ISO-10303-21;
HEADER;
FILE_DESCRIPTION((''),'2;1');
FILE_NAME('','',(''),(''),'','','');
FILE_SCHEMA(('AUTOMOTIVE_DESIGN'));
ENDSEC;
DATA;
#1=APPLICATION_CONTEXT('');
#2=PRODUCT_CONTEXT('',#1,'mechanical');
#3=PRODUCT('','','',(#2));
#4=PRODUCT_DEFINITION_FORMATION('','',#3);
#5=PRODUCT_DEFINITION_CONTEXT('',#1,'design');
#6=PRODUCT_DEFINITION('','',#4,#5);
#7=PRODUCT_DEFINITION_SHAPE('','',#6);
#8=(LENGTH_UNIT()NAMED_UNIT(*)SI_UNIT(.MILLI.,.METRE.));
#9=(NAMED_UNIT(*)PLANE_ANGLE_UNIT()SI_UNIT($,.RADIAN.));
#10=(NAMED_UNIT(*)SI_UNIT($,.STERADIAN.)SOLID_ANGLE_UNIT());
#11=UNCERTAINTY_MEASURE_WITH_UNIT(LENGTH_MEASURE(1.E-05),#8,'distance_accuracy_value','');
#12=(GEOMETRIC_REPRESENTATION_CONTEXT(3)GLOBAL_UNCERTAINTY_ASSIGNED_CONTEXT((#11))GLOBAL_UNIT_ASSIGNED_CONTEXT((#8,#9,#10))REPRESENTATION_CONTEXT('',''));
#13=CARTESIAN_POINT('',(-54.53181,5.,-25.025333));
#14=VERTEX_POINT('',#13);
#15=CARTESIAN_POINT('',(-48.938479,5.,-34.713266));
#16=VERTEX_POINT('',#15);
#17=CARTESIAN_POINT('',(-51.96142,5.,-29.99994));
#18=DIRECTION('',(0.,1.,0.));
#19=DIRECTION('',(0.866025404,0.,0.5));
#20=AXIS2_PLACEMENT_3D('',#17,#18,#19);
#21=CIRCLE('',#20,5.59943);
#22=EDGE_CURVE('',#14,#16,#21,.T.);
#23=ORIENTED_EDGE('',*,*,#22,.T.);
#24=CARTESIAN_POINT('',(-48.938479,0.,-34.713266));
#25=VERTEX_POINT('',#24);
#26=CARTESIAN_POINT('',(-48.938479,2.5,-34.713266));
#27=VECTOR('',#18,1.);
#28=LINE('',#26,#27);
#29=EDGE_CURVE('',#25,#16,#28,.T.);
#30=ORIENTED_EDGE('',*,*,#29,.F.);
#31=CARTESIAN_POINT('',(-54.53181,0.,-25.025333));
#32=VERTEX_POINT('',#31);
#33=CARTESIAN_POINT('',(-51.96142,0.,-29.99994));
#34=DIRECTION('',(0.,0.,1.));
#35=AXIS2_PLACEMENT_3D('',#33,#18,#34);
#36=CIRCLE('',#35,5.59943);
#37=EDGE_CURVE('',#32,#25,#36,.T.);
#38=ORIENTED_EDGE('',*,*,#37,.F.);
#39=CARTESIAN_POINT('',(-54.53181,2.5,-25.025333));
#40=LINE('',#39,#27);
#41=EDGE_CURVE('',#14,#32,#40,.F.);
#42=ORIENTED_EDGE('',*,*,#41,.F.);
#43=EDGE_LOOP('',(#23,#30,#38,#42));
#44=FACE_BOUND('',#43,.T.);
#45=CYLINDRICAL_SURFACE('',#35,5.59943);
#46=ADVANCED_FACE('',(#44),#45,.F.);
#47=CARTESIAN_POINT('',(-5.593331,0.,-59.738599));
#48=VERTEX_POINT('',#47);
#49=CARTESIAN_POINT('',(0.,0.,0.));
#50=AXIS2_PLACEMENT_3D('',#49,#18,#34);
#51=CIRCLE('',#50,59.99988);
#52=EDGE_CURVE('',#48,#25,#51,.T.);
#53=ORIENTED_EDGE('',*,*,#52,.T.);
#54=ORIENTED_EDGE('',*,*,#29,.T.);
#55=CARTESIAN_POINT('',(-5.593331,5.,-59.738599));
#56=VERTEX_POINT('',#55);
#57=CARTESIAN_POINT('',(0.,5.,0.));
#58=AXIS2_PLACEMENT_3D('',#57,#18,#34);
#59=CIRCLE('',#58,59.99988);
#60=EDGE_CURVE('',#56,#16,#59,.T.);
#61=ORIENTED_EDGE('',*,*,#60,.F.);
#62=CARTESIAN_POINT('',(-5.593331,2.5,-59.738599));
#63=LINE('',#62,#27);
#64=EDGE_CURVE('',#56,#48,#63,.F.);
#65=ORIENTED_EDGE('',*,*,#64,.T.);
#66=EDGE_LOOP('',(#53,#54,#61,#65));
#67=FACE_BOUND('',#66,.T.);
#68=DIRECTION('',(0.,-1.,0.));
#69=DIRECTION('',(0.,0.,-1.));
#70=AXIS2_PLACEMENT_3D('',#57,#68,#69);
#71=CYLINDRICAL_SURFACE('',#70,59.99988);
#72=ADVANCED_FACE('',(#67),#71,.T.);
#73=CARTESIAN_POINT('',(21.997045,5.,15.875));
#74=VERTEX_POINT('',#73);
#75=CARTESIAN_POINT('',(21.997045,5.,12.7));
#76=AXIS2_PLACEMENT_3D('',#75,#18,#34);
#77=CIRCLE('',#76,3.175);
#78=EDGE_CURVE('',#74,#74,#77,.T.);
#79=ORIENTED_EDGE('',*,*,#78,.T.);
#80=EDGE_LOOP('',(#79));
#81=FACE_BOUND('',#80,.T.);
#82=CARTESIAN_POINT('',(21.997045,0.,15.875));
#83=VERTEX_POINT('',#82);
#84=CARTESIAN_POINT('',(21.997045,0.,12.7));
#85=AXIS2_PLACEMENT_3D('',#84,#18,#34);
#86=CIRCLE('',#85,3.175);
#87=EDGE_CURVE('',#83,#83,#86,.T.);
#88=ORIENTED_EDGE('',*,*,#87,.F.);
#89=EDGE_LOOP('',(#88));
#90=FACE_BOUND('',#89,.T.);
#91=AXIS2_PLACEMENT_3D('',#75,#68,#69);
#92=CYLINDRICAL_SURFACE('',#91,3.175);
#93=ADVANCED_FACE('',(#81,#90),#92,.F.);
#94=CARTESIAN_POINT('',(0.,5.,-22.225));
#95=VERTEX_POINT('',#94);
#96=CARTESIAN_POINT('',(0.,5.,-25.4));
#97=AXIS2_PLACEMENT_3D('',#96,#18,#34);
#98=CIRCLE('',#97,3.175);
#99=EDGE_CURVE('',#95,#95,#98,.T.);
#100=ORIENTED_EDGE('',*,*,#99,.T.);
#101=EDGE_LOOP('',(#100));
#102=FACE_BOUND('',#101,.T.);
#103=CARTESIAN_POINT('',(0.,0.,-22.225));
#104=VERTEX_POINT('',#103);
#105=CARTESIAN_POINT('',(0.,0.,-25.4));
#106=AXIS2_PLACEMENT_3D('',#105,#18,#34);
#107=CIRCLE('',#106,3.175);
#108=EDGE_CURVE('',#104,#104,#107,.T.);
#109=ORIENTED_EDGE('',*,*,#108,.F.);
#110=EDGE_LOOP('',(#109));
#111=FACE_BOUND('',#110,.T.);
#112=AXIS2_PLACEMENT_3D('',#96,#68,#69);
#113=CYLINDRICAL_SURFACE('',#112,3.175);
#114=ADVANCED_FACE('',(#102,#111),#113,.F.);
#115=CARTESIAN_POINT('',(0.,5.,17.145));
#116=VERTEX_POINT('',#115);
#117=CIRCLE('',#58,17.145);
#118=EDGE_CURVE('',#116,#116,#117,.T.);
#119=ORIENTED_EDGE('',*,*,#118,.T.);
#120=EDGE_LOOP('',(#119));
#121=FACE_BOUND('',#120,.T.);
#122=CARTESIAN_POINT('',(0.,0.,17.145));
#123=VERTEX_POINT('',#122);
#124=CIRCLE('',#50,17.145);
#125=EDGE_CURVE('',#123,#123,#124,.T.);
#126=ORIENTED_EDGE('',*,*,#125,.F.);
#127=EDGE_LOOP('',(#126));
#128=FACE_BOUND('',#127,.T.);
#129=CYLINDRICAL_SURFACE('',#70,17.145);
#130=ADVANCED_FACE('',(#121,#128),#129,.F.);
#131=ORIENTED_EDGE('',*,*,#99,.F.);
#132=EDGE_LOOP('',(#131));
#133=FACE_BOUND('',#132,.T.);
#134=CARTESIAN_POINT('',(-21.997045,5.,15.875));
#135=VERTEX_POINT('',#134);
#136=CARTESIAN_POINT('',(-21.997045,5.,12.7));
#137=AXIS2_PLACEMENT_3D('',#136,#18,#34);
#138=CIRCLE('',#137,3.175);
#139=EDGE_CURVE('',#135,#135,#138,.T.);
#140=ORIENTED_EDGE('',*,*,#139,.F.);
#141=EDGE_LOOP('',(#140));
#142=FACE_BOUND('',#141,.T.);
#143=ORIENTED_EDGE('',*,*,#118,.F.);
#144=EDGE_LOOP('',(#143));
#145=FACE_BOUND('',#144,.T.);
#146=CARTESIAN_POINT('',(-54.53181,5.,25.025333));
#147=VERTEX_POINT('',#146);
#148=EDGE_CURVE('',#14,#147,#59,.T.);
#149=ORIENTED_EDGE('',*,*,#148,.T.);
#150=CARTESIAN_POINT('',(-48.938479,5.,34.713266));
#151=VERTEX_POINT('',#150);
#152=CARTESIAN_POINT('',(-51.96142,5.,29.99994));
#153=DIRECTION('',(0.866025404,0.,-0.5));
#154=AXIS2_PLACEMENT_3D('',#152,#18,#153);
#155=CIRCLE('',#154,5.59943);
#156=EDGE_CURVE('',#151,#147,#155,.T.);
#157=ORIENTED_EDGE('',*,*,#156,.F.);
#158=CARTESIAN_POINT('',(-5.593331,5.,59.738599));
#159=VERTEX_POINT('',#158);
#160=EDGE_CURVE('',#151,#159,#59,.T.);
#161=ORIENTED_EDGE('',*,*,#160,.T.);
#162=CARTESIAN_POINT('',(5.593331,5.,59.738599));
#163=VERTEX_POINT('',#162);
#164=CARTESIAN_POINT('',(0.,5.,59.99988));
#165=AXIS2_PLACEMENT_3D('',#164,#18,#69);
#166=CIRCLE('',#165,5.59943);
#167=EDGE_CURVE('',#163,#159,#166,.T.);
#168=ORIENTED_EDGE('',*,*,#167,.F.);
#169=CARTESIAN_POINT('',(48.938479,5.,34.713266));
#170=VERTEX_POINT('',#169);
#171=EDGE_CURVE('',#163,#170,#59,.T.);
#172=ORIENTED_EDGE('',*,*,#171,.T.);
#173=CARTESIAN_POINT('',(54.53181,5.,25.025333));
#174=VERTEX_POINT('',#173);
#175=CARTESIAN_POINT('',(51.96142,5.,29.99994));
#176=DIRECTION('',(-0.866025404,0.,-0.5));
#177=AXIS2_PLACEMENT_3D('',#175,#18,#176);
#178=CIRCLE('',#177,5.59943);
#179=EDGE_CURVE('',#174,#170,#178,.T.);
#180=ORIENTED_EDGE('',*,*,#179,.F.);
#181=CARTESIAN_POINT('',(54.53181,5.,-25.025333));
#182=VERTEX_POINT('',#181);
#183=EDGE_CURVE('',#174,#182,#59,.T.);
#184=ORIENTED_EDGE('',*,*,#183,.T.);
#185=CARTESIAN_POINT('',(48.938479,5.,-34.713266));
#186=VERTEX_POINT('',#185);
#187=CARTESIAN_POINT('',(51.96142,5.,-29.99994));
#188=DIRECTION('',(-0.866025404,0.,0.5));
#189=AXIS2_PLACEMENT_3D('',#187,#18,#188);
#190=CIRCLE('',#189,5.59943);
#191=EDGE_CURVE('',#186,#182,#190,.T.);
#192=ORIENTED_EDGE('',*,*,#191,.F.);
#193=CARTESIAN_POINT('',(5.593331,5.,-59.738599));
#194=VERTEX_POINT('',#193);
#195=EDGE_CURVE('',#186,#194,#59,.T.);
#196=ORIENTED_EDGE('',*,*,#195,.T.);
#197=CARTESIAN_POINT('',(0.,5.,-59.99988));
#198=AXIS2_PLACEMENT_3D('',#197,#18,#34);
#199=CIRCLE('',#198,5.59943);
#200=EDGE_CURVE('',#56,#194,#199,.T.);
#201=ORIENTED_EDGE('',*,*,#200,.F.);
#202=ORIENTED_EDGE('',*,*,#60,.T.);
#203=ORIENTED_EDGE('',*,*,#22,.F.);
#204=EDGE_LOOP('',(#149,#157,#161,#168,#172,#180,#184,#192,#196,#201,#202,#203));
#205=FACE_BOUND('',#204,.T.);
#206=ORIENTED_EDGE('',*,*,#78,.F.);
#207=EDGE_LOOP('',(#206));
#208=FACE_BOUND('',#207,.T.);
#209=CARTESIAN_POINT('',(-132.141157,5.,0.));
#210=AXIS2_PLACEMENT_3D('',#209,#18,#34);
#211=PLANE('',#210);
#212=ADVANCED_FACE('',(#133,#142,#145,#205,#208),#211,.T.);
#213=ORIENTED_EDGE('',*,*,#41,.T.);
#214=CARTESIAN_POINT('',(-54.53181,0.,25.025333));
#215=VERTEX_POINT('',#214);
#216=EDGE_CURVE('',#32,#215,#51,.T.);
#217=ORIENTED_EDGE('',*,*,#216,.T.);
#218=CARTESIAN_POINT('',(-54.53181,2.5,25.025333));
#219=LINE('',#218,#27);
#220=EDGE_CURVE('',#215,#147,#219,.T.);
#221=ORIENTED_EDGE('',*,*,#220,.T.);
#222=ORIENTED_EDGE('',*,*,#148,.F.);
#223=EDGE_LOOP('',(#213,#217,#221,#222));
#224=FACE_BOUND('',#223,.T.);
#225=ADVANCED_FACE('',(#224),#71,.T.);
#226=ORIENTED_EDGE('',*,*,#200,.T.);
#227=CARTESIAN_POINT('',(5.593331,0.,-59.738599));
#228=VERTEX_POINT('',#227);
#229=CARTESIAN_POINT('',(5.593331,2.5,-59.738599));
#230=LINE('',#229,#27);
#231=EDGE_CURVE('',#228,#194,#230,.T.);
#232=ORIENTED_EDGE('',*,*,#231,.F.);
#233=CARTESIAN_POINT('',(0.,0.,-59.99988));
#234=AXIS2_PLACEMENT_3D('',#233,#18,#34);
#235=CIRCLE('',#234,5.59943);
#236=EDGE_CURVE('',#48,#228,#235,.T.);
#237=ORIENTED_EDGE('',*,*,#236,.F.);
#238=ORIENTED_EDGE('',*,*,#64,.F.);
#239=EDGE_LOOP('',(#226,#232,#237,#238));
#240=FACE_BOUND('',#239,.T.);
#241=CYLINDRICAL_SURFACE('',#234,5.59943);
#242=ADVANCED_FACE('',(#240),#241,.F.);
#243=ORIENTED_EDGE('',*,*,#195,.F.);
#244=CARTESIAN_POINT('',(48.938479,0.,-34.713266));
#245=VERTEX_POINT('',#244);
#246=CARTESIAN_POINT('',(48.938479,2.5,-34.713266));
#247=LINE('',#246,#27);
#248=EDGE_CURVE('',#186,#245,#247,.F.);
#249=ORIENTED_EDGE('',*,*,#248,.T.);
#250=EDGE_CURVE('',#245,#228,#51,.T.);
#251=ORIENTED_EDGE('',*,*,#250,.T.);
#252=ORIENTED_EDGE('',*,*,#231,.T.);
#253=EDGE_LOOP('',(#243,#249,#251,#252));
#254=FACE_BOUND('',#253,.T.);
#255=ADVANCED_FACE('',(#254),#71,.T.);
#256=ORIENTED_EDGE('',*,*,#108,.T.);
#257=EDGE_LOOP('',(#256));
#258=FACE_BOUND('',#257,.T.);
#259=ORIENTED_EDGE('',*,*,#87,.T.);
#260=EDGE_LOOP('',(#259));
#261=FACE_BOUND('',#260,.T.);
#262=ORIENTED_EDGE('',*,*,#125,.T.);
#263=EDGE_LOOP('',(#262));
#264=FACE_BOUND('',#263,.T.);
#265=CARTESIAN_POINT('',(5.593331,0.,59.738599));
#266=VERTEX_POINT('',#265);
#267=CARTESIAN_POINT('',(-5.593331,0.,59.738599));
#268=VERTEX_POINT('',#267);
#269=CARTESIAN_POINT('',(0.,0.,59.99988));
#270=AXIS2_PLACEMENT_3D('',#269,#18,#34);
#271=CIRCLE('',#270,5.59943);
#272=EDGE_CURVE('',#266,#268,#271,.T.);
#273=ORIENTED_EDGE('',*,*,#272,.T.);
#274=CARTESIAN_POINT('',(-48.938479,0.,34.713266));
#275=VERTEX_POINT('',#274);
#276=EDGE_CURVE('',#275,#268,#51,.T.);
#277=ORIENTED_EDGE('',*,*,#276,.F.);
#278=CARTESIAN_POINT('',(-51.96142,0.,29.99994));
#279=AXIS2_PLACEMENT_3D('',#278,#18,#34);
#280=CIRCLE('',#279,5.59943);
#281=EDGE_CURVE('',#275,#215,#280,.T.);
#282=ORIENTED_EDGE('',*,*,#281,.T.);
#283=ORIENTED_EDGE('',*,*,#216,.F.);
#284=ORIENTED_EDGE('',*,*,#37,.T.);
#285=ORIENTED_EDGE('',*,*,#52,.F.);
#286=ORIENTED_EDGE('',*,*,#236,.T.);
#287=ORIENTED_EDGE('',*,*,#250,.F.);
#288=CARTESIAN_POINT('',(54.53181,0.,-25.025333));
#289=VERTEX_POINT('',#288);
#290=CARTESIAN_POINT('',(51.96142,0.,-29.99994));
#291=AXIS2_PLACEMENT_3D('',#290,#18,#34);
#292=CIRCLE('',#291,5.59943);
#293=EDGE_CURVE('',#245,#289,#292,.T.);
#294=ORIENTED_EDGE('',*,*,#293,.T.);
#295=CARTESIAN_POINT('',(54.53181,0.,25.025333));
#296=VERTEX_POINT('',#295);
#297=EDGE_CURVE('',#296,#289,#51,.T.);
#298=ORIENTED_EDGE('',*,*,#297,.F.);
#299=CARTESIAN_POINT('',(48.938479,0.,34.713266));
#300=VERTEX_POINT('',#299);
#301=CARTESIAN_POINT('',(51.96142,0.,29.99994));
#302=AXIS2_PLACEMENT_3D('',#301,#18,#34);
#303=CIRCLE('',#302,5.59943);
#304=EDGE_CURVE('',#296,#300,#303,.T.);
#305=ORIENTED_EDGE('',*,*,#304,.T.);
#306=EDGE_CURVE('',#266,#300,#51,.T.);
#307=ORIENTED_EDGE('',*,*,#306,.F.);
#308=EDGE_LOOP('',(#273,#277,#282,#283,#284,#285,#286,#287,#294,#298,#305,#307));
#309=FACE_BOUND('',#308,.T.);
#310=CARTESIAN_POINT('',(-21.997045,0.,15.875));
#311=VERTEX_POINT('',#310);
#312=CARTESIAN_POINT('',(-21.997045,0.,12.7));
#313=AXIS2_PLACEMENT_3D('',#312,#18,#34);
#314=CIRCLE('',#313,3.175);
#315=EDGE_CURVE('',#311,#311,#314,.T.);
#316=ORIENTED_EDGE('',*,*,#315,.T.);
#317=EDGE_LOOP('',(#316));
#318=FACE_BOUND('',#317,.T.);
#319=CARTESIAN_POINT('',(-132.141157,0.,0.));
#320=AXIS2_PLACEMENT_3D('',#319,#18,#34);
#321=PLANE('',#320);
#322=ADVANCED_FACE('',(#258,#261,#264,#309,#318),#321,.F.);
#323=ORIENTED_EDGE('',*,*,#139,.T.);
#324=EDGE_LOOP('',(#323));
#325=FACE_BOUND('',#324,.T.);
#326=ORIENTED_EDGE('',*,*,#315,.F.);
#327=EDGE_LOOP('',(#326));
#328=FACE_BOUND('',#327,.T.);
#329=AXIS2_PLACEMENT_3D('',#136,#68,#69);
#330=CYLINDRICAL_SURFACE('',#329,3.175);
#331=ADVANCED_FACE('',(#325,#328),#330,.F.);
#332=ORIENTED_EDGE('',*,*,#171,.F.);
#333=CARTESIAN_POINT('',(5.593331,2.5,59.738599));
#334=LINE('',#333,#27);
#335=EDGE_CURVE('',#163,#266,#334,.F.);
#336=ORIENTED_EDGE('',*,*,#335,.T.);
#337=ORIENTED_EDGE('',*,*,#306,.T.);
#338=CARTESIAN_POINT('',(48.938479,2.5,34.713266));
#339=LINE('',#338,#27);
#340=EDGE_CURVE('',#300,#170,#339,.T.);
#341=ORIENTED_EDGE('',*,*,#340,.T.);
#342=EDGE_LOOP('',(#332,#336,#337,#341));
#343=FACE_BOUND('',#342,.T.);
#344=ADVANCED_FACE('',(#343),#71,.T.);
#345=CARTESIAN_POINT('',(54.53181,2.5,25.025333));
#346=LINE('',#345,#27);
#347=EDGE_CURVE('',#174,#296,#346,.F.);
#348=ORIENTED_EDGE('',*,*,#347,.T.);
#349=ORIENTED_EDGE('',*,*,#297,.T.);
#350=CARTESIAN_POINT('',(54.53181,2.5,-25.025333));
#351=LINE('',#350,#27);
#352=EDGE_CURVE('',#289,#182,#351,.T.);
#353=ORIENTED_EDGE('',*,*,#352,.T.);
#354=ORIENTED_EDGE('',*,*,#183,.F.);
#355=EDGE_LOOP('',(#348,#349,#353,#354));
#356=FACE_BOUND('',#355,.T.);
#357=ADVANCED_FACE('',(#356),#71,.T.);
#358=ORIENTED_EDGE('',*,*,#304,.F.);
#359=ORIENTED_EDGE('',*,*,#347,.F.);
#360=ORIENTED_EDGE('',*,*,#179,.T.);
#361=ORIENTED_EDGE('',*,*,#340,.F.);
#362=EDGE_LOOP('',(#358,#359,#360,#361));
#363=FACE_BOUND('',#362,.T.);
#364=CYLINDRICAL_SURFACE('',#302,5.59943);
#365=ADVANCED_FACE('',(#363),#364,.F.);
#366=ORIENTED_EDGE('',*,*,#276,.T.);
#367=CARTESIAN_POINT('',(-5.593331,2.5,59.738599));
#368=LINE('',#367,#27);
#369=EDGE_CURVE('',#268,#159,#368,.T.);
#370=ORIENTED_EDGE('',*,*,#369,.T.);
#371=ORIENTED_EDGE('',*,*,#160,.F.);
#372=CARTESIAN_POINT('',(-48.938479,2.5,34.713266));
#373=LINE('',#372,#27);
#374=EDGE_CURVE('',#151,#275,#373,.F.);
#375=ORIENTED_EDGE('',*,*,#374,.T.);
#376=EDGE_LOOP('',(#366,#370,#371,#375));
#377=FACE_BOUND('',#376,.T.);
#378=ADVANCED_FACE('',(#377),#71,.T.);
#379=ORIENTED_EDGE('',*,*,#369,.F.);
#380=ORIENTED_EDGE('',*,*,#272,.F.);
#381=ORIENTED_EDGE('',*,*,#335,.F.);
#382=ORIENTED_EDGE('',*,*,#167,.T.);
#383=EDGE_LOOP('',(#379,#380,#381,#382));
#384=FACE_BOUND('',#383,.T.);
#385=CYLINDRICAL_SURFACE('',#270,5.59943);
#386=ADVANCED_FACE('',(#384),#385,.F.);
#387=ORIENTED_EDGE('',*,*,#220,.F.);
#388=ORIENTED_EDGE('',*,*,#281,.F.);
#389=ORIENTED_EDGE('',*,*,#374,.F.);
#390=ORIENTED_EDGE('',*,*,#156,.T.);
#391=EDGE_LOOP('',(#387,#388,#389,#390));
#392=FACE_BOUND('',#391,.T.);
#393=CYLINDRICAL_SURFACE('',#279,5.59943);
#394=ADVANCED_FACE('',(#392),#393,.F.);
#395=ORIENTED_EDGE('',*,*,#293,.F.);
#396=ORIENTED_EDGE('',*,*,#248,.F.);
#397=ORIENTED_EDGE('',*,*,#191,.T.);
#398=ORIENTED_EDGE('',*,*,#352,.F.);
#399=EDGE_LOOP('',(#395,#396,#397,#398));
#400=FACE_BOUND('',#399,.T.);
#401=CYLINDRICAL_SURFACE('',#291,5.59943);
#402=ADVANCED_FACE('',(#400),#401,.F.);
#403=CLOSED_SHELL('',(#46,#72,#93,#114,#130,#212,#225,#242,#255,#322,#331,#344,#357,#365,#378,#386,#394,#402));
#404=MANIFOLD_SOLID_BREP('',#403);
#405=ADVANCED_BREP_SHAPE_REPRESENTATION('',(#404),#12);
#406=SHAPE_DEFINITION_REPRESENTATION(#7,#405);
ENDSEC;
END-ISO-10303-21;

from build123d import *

# Parameters (mm, degrees)
SKETCH1_R           = 59.99988
SKETCH1_R_2         = 17.145
SKETCH1_R_3         = 3.175
BOSS_EXTRUDE1_DEPTH = 5
SKETCH2_R           = 5.59943
CUT_EXTRUDE1_DEPTH  = 6
CIRPATTERN1_COUNT   = 6


with BuildPart() as part:
    # Sketch1 → Boss-Extrude1 (new body)
    with BuildSketch(Plane(origin=(0, 0, 0), x_dir=(1, 0, 0), z_dir=(0, 1, 0))):
        Circle(SKETCH1_R)
        Circle(SKETCH1_R_2, mode=Mode.SUBTRACT)
        with Locations((21.997045256, -12.7)):
            Circle(SKETCH1_R_3, mode=Mode.SUBTRACT)
        with Locations((0, 25.4)):
            Circle(SKETCH1_R_3, mode=Mode.SUBTRACT)
        with Locations((-21.997045256, -12.7)):
            Circle(SKETCH1_R_3, mode=Mode.SUBTRACT)
    extrude(amount=BOSS_EXTRUDE1_DEPTH)

    # Sketch2 → Cut-Extrude1 (cut, through all)
    with BuildSketch(Plane(origin=(0, 5, 0), x_dir=(1, 0, 0), z_dir=(0, 1, 0))):
        with Locations((0, 59.99988)):
            Circle(SKETCH2_R)
    cut_extrude1 = extrude(amount=-CUT_EXTRUDE1_DEPTH, mode=Mode.SUBTRACT)

    # CirPattern1: Cut-Extrude1 ×6 about axis
    cirpattern1_axis = Axis((0, 0, 0), (0, 1, 0))
    for i in range(1, CIRPATTERN1_COUNT):
        add(cut_extrude1.rotate(cirpattern1_axis, i * 360 / CIRPATTERN1_COUNT), mode=Mode.SUBTRACT)


solid = part.part
